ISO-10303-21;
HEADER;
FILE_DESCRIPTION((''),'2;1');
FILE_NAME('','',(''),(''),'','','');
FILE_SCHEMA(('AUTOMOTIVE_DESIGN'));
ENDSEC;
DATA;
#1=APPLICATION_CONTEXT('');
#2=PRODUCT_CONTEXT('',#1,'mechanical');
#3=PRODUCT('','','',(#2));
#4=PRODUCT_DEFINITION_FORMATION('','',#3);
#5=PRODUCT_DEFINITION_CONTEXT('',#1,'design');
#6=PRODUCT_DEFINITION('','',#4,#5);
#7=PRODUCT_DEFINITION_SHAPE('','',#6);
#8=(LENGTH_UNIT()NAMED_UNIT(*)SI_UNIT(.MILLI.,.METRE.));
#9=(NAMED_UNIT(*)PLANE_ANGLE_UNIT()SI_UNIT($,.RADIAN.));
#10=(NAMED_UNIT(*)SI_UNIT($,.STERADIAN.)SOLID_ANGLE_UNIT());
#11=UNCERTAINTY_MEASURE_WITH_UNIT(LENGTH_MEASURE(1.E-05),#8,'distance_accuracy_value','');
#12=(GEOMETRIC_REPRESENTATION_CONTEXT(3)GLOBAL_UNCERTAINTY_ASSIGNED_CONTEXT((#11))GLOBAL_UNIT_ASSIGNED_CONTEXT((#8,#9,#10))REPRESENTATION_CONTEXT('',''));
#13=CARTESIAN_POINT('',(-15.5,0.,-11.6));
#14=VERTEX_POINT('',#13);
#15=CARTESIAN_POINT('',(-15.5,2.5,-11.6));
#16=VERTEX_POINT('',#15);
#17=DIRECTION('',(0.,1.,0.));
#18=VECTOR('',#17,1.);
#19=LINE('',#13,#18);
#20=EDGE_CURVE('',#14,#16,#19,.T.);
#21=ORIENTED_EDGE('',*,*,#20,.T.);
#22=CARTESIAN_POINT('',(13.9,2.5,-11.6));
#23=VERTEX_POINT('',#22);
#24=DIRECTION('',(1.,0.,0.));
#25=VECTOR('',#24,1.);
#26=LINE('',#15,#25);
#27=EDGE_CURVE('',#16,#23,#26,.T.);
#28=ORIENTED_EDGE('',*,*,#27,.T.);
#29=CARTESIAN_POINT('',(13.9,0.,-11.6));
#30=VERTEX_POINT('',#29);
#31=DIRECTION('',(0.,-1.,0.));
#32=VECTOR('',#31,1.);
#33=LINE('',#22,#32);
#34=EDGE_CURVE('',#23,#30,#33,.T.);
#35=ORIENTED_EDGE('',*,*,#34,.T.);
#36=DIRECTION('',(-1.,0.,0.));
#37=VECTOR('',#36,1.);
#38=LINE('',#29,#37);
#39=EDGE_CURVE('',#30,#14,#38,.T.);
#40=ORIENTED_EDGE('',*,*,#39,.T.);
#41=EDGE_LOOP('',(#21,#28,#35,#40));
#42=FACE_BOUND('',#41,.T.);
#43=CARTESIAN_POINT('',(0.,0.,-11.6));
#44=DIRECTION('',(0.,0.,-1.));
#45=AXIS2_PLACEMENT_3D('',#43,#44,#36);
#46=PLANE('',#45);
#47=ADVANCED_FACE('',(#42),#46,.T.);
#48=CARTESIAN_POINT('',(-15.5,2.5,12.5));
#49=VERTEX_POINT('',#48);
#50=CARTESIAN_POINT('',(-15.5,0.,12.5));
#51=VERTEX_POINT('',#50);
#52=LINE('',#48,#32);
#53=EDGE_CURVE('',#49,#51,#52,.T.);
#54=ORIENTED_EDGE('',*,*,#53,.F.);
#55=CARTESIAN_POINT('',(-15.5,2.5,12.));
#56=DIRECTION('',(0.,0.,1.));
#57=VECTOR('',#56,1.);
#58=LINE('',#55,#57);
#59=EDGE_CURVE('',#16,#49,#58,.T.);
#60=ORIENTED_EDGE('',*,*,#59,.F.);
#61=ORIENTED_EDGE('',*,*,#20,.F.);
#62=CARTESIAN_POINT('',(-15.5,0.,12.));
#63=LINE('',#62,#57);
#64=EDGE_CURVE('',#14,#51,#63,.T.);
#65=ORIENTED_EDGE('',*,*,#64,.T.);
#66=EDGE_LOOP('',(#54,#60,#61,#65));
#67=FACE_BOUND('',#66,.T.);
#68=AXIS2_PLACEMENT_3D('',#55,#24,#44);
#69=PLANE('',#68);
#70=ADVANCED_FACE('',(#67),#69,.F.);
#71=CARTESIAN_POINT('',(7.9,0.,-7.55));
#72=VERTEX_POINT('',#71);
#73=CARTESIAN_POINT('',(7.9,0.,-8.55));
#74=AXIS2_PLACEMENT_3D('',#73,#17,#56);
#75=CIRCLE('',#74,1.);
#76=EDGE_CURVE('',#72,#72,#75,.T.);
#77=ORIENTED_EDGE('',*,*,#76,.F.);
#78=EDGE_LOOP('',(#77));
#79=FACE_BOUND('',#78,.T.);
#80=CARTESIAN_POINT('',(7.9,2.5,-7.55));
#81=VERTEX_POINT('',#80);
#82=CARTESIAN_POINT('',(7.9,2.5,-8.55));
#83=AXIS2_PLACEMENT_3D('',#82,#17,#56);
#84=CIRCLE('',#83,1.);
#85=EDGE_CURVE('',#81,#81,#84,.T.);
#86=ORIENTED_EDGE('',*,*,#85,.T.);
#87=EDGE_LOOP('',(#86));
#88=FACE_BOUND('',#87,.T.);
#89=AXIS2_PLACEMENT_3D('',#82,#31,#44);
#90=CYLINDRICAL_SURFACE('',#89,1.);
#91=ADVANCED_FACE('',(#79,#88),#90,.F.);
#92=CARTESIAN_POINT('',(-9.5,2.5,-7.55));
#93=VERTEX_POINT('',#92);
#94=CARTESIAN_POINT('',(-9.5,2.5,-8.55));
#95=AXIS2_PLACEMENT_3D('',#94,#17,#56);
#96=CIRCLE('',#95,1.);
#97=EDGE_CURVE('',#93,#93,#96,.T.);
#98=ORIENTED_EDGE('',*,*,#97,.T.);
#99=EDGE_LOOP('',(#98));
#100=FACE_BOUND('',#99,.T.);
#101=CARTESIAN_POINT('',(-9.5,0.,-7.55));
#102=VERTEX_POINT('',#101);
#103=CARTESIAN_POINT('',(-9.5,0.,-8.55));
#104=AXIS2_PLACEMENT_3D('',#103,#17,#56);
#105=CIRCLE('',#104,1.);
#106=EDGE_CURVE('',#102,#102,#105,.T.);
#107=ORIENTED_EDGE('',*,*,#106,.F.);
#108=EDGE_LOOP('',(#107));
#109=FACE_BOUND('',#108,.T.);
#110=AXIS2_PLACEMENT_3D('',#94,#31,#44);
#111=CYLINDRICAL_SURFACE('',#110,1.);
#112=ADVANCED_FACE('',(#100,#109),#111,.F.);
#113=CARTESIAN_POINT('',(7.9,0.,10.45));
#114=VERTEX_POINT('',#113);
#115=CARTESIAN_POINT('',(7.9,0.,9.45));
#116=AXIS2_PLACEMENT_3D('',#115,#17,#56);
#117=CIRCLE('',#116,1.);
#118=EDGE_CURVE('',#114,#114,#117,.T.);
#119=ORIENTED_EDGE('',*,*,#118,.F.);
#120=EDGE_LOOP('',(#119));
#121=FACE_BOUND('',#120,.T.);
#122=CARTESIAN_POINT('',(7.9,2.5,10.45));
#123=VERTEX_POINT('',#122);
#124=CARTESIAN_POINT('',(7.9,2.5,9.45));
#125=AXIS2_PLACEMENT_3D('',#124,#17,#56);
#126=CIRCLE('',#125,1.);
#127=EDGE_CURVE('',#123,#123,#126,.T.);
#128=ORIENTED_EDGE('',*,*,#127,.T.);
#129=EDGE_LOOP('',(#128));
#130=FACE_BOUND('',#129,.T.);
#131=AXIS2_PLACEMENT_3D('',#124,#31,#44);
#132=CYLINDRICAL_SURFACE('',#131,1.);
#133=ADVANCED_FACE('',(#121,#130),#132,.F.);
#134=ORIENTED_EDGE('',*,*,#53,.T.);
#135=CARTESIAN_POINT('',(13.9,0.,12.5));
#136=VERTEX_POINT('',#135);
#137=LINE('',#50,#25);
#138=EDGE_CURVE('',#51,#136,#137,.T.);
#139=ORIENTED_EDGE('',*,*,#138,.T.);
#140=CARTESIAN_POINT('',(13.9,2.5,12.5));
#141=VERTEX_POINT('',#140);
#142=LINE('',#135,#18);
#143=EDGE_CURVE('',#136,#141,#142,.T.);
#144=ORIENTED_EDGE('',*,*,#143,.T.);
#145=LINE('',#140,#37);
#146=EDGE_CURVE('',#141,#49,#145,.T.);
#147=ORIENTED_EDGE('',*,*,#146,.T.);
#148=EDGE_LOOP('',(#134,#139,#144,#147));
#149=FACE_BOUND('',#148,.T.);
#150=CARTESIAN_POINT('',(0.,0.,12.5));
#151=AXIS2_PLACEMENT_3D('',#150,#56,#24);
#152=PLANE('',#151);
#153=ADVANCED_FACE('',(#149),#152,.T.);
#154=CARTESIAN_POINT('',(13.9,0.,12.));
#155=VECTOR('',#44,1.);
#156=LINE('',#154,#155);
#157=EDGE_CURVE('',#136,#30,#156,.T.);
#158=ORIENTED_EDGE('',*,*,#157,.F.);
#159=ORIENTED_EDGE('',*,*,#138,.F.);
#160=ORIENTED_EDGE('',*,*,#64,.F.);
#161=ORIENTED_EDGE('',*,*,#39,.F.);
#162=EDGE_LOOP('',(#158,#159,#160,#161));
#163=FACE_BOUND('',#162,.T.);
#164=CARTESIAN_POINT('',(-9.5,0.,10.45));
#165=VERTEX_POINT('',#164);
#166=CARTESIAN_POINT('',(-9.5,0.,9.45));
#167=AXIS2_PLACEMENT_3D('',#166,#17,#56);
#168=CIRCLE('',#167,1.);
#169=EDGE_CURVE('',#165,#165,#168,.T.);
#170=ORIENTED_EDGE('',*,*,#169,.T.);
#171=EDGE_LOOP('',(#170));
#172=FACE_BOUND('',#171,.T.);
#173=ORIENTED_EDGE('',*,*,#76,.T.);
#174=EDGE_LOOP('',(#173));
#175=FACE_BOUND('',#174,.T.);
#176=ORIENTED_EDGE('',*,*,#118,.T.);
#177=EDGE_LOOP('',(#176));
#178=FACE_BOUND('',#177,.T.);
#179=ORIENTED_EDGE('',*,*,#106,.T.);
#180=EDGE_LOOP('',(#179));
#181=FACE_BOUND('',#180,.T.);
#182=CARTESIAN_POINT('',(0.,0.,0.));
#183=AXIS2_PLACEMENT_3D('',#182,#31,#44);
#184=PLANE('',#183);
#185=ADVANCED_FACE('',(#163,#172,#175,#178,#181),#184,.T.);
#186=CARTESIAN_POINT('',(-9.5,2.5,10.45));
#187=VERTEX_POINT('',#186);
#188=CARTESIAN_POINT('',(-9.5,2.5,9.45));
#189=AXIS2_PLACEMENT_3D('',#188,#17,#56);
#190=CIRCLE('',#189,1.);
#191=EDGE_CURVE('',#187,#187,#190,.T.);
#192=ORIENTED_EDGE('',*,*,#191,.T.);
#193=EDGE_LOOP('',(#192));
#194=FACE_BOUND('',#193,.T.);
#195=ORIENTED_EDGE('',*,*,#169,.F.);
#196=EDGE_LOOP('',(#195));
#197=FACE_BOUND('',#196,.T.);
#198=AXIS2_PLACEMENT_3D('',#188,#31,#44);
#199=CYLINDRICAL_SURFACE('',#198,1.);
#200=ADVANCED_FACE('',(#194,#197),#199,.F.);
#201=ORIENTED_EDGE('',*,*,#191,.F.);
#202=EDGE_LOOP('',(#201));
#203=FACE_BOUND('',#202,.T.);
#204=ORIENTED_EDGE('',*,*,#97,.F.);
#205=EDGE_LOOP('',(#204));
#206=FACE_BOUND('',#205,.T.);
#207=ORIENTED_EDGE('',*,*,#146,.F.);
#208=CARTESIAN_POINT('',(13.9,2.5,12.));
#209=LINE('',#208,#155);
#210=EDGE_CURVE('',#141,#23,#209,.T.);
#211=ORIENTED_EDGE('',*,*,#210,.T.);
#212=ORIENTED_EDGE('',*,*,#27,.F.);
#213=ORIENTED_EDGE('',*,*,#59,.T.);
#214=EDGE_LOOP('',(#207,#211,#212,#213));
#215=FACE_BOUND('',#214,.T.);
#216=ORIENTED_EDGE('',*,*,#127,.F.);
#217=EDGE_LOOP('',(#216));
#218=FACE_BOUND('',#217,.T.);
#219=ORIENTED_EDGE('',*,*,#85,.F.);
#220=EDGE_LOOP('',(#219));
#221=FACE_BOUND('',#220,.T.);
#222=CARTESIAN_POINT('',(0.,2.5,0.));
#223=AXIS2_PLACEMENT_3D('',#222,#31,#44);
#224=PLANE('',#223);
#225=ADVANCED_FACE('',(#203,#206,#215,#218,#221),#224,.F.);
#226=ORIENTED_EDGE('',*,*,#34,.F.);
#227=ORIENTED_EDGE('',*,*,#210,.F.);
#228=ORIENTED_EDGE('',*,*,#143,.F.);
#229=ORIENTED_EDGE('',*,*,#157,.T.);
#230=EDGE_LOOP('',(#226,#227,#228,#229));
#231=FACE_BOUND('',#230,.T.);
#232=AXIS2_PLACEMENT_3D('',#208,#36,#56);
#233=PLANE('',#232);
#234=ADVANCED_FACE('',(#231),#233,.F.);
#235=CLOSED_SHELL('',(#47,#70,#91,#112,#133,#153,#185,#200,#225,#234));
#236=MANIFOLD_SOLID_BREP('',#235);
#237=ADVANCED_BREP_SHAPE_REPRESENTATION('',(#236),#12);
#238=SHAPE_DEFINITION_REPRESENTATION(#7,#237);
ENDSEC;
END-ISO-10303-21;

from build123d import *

# Parameters (mm, degrees)
SKETCH1_W           = 29.4
SKETCH1_H           = 23.1
SKETCH1_R           = 1
BOSS_EXTRUDE1_DEPTH = 2.5
SKETCH2_W           = 29.4
SKETCH2_H           = 2.5
BOSS_EXTRUDE2_DEPTH = 0.5
SKETCH3_W           = 29.4
SKETCH3_H           = 2.5
BOSS_EXTRUDE3_DEPTH = 0.5


with BuildPart() as part:
    # Sketch1 → Boss-Extrude1 (new body)
    with BuildSketch(Plane(origin=(0, 0, 0), x_dir=(1, 0, 0), z_dir=(0, 1, 0))):
        with Locations((-0.8, -0.45)):
            Rectangle(SKETCH1_W, SKETCH1_H)
        with Locations((-9.5, 8.55)):
            Circle(SKETCH1_R, mode=Mode.SUBTRACT)
        with Locations((7.9, 8.55)):
            Circle(SKETCH1_R, mode=Mode.SUBTRACT)
        with Locations((7.9, -9.45)):
            Circle(SKETCH1_R, mode=Mode.SUBTRACT)
        with Locations((-9.5, -9.45)):
            Circle(SKETCH1_R, mode=Mode.SUBTRACT)
    extrude(amount=BOSS_EXTRUDE1_DEPTH)

    # Sketch2 → Boss-Extrude2 (add)
    with BuildSketch(Plane(origin=(0, 0, -11.1), x_dir=(-1, 0, 0), z_dir=(0, 0, -1))):
        with Locations((0.8, 1.25)):
            Rectangle(SKETCH2_W, SKETCH2_H)
    extrude(amount=BOSS_EXTRUDE2_DEPTH)

    # Sketch3 → Boss-Extrude3 (add)
    with BuildSketch(Plane.XY.offset(12)):
        with Locations((-0.8, 1.25)):
            Rectangle(SKETCH3_W, SKETCH3_H)
    extrude(amount=BOSS_EXTRUDE3_DEPTH)


solid = part.part
